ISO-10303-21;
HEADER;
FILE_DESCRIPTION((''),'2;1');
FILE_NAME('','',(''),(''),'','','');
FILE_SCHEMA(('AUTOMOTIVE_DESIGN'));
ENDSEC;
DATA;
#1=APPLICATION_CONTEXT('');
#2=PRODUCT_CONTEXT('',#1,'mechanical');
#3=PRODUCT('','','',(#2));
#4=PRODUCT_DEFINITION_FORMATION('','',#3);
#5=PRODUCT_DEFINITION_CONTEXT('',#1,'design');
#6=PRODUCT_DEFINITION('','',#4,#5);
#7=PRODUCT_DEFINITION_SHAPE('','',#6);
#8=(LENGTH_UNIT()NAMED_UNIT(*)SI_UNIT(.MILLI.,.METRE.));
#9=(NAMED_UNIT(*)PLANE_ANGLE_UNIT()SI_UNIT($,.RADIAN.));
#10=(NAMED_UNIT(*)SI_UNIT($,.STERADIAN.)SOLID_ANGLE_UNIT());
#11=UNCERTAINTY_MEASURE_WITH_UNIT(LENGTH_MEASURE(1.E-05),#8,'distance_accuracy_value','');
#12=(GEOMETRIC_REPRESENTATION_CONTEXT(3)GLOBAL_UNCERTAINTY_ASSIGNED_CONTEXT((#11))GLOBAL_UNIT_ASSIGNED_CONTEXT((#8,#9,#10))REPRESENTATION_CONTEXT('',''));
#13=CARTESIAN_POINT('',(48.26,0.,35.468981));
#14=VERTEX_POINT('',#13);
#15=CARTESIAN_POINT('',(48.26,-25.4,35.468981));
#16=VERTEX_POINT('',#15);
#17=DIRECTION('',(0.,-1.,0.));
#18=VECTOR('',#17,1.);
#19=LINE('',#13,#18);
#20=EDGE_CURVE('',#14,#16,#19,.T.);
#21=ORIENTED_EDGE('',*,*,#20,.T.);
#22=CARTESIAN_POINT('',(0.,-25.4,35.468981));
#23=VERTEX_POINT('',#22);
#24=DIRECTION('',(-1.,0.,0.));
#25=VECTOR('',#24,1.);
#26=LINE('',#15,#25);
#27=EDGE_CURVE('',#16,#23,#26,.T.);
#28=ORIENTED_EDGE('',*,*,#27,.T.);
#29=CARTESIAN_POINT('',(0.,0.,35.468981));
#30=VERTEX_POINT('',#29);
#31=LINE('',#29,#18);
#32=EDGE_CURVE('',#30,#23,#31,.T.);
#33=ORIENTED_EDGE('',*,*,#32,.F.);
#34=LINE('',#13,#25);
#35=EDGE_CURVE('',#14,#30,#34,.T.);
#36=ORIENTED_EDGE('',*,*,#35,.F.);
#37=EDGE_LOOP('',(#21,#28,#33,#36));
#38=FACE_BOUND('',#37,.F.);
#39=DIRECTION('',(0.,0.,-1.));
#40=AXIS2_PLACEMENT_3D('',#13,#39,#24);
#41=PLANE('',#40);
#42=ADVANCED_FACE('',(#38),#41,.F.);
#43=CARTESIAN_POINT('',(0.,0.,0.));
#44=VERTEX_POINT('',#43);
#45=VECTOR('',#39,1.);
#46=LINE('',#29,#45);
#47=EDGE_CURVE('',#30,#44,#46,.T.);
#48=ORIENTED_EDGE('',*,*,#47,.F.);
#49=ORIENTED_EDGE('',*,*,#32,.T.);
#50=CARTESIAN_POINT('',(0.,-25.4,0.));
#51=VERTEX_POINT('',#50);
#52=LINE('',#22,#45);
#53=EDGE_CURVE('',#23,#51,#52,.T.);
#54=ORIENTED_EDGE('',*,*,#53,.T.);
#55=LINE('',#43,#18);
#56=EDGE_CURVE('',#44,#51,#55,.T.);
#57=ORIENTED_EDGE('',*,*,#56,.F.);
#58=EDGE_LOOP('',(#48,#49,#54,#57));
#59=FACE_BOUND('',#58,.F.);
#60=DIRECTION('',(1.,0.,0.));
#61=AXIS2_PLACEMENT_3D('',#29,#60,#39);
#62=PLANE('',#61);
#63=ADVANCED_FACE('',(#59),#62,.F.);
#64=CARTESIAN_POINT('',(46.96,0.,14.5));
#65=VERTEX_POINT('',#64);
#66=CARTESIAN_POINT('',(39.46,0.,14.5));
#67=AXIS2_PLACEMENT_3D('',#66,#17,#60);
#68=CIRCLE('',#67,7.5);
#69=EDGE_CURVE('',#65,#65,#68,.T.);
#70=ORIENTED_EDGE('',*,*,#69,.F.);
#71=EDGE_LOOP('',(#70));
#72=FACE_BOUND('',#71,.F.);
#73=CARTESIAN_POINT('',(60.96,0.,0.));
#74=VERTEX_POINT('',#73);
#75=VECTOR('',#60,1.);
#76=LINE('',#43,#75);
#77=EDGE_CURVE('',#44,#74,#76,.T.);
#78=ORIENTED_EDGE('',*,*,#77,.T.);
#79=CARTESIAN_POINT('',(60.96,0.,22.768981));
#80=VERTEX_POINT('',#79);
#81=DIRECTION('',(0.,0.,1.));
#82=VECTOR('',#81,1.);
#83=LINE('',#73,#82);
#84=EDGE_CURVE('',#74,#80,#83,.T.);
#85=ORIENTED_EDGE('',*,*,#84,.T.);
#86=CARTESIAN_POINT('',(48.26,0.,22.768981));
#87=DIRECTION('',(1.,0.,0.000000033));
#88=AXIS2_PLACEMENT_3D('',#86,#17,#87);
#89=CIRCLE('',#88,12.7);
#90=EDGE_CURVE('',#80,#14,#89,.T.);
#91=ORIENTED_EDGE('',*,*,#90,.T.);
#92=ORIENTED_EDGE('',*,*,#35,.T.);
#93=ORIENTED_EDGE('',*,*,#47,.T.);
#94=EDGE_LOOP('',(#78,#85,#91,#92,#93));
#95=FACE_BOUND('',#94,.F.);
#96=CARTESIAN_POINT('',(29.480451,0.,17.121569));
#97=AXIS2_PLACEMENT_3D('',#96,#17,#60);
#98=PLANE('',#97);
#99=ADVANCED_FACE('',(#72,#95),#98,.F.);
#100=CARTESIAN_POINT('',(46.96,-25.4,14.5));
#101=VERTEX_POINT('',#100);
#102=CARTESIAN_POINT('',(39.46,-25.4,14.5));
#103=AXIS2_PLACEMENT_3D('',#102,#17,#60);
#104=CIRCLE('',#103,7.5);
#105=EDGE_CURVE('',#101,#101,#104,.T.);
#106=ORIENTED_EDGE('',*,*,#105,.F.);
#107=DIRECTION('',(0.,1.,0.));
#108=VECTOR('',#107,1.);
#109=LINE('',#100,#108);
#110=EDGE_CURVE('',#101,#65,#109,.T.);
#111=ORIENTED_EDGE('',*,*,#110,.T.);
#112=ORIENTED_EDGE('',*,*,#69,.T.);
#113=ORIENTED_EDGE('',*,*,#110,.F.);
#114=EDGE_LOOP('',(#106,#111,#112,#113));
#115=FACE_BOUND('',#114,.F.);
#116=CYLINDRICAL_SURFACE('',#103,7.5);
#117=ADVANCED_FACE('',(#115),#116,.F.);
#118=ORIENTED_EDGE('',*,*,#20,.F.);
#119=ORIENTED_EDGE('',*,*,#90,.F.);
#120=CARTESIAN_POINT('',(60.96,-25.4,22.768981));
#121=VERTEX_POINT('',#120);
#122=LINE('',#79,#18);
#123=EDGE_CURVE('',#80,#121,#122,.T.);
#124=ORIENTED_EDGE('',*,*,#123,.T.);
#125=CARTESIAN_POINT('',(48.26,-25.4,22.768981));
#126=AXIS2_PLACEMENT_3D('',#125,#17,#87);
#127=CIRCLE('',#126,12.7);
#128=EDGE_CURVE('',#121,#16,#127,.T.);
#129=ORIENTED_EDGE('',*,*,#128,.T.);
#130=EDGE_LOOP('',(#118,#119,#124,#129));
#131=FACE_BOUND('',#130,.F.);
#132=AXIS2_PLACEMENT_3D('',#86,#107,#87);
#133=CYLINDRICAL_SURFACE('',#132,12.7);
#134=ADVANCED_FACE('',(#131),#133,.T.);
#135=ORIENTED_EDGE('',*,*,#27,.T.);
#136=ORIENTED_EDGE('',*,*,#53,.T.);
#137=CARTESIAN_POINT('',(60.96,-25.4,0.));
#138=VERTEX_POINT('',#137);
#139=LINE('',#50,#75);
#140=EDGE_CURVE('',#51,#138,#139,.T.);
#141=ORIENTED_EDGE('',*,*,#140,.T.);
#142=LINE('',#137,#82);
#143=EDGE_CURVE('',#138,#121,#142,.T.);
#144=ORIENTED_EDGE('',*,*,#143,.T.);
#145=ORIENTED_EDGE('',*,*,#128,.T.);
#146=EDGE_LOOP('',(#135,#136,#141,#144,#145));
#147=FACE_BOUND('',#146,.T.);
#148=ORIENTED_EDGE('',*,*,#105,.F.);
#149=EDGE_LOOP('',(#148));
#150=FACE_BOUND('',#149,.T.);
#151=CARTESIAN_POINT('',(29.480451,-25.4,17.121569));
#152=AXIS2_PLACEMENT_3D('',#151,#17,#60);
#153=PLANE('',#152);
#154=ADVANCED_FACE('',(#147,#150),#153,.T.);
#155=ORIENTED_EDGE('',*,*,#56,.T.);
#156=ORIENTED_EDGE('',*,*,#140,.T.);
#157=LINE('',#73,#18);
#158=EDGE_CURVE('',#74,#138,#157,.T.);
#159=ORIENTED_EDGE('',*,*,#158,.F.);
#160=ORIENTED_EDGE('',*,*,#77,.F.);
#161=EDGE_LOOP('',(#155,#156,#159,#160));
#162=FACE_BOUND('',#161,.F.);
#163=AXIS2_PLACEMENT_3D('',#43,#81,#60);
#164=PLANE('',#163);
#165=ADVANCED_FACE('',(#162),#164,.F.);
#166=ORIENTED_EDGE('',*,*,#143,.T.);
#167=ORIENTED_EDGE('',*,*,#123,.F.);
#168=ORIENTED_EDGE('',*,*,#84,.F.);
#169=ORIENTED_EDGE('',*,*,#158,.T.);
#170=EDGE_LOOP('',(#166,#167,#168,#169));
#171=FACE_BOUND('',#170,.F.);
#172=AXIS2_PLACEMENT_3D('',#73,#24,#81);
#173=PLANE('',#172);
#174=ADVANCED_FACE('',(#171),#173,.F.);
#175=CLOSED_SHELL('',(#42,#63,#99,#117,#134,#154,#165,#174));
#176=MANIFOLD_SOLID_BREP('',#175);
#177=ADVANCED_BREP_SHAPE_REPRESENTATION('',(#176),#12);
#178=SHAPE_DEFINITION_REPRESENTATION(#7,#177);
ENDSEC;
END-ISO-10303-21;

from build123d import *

# Parameters (mm, degrees)
F1_DEPTH = 25.4
F2_R     = 7.5
F3_DEPTH = 25.401


with BuildPart() as f1:
    # F0 (on Front) → F1 (new body)
    with BuildSketch(Plane.XZ):
        with BuildLine():
            Line((0, 35.468981), (0, 0))
            Line((0, 0), (60.96, 0))
            Line((60.96, 0), (60.96, 22.768981))
            ThreePointArc((60.96, 22.768981), (57.240256, 31.749237), (48.26, 35.468981))
            Line((48.26, 35.468981), (0, 35.468981))
        make_face()
    extrude(amount=F1_DEPTH)

    # F2 (on face) → F3 (cut, through all)
    with BuildSketch(Plane.XZ.offset(25.4)):
        with Locations((39.46, 14.5)):
            Circle(F2_R)
    extrude(amount=-F3_DEPTH, mode=Mode.SUBTRACT)


solid = f1.part
